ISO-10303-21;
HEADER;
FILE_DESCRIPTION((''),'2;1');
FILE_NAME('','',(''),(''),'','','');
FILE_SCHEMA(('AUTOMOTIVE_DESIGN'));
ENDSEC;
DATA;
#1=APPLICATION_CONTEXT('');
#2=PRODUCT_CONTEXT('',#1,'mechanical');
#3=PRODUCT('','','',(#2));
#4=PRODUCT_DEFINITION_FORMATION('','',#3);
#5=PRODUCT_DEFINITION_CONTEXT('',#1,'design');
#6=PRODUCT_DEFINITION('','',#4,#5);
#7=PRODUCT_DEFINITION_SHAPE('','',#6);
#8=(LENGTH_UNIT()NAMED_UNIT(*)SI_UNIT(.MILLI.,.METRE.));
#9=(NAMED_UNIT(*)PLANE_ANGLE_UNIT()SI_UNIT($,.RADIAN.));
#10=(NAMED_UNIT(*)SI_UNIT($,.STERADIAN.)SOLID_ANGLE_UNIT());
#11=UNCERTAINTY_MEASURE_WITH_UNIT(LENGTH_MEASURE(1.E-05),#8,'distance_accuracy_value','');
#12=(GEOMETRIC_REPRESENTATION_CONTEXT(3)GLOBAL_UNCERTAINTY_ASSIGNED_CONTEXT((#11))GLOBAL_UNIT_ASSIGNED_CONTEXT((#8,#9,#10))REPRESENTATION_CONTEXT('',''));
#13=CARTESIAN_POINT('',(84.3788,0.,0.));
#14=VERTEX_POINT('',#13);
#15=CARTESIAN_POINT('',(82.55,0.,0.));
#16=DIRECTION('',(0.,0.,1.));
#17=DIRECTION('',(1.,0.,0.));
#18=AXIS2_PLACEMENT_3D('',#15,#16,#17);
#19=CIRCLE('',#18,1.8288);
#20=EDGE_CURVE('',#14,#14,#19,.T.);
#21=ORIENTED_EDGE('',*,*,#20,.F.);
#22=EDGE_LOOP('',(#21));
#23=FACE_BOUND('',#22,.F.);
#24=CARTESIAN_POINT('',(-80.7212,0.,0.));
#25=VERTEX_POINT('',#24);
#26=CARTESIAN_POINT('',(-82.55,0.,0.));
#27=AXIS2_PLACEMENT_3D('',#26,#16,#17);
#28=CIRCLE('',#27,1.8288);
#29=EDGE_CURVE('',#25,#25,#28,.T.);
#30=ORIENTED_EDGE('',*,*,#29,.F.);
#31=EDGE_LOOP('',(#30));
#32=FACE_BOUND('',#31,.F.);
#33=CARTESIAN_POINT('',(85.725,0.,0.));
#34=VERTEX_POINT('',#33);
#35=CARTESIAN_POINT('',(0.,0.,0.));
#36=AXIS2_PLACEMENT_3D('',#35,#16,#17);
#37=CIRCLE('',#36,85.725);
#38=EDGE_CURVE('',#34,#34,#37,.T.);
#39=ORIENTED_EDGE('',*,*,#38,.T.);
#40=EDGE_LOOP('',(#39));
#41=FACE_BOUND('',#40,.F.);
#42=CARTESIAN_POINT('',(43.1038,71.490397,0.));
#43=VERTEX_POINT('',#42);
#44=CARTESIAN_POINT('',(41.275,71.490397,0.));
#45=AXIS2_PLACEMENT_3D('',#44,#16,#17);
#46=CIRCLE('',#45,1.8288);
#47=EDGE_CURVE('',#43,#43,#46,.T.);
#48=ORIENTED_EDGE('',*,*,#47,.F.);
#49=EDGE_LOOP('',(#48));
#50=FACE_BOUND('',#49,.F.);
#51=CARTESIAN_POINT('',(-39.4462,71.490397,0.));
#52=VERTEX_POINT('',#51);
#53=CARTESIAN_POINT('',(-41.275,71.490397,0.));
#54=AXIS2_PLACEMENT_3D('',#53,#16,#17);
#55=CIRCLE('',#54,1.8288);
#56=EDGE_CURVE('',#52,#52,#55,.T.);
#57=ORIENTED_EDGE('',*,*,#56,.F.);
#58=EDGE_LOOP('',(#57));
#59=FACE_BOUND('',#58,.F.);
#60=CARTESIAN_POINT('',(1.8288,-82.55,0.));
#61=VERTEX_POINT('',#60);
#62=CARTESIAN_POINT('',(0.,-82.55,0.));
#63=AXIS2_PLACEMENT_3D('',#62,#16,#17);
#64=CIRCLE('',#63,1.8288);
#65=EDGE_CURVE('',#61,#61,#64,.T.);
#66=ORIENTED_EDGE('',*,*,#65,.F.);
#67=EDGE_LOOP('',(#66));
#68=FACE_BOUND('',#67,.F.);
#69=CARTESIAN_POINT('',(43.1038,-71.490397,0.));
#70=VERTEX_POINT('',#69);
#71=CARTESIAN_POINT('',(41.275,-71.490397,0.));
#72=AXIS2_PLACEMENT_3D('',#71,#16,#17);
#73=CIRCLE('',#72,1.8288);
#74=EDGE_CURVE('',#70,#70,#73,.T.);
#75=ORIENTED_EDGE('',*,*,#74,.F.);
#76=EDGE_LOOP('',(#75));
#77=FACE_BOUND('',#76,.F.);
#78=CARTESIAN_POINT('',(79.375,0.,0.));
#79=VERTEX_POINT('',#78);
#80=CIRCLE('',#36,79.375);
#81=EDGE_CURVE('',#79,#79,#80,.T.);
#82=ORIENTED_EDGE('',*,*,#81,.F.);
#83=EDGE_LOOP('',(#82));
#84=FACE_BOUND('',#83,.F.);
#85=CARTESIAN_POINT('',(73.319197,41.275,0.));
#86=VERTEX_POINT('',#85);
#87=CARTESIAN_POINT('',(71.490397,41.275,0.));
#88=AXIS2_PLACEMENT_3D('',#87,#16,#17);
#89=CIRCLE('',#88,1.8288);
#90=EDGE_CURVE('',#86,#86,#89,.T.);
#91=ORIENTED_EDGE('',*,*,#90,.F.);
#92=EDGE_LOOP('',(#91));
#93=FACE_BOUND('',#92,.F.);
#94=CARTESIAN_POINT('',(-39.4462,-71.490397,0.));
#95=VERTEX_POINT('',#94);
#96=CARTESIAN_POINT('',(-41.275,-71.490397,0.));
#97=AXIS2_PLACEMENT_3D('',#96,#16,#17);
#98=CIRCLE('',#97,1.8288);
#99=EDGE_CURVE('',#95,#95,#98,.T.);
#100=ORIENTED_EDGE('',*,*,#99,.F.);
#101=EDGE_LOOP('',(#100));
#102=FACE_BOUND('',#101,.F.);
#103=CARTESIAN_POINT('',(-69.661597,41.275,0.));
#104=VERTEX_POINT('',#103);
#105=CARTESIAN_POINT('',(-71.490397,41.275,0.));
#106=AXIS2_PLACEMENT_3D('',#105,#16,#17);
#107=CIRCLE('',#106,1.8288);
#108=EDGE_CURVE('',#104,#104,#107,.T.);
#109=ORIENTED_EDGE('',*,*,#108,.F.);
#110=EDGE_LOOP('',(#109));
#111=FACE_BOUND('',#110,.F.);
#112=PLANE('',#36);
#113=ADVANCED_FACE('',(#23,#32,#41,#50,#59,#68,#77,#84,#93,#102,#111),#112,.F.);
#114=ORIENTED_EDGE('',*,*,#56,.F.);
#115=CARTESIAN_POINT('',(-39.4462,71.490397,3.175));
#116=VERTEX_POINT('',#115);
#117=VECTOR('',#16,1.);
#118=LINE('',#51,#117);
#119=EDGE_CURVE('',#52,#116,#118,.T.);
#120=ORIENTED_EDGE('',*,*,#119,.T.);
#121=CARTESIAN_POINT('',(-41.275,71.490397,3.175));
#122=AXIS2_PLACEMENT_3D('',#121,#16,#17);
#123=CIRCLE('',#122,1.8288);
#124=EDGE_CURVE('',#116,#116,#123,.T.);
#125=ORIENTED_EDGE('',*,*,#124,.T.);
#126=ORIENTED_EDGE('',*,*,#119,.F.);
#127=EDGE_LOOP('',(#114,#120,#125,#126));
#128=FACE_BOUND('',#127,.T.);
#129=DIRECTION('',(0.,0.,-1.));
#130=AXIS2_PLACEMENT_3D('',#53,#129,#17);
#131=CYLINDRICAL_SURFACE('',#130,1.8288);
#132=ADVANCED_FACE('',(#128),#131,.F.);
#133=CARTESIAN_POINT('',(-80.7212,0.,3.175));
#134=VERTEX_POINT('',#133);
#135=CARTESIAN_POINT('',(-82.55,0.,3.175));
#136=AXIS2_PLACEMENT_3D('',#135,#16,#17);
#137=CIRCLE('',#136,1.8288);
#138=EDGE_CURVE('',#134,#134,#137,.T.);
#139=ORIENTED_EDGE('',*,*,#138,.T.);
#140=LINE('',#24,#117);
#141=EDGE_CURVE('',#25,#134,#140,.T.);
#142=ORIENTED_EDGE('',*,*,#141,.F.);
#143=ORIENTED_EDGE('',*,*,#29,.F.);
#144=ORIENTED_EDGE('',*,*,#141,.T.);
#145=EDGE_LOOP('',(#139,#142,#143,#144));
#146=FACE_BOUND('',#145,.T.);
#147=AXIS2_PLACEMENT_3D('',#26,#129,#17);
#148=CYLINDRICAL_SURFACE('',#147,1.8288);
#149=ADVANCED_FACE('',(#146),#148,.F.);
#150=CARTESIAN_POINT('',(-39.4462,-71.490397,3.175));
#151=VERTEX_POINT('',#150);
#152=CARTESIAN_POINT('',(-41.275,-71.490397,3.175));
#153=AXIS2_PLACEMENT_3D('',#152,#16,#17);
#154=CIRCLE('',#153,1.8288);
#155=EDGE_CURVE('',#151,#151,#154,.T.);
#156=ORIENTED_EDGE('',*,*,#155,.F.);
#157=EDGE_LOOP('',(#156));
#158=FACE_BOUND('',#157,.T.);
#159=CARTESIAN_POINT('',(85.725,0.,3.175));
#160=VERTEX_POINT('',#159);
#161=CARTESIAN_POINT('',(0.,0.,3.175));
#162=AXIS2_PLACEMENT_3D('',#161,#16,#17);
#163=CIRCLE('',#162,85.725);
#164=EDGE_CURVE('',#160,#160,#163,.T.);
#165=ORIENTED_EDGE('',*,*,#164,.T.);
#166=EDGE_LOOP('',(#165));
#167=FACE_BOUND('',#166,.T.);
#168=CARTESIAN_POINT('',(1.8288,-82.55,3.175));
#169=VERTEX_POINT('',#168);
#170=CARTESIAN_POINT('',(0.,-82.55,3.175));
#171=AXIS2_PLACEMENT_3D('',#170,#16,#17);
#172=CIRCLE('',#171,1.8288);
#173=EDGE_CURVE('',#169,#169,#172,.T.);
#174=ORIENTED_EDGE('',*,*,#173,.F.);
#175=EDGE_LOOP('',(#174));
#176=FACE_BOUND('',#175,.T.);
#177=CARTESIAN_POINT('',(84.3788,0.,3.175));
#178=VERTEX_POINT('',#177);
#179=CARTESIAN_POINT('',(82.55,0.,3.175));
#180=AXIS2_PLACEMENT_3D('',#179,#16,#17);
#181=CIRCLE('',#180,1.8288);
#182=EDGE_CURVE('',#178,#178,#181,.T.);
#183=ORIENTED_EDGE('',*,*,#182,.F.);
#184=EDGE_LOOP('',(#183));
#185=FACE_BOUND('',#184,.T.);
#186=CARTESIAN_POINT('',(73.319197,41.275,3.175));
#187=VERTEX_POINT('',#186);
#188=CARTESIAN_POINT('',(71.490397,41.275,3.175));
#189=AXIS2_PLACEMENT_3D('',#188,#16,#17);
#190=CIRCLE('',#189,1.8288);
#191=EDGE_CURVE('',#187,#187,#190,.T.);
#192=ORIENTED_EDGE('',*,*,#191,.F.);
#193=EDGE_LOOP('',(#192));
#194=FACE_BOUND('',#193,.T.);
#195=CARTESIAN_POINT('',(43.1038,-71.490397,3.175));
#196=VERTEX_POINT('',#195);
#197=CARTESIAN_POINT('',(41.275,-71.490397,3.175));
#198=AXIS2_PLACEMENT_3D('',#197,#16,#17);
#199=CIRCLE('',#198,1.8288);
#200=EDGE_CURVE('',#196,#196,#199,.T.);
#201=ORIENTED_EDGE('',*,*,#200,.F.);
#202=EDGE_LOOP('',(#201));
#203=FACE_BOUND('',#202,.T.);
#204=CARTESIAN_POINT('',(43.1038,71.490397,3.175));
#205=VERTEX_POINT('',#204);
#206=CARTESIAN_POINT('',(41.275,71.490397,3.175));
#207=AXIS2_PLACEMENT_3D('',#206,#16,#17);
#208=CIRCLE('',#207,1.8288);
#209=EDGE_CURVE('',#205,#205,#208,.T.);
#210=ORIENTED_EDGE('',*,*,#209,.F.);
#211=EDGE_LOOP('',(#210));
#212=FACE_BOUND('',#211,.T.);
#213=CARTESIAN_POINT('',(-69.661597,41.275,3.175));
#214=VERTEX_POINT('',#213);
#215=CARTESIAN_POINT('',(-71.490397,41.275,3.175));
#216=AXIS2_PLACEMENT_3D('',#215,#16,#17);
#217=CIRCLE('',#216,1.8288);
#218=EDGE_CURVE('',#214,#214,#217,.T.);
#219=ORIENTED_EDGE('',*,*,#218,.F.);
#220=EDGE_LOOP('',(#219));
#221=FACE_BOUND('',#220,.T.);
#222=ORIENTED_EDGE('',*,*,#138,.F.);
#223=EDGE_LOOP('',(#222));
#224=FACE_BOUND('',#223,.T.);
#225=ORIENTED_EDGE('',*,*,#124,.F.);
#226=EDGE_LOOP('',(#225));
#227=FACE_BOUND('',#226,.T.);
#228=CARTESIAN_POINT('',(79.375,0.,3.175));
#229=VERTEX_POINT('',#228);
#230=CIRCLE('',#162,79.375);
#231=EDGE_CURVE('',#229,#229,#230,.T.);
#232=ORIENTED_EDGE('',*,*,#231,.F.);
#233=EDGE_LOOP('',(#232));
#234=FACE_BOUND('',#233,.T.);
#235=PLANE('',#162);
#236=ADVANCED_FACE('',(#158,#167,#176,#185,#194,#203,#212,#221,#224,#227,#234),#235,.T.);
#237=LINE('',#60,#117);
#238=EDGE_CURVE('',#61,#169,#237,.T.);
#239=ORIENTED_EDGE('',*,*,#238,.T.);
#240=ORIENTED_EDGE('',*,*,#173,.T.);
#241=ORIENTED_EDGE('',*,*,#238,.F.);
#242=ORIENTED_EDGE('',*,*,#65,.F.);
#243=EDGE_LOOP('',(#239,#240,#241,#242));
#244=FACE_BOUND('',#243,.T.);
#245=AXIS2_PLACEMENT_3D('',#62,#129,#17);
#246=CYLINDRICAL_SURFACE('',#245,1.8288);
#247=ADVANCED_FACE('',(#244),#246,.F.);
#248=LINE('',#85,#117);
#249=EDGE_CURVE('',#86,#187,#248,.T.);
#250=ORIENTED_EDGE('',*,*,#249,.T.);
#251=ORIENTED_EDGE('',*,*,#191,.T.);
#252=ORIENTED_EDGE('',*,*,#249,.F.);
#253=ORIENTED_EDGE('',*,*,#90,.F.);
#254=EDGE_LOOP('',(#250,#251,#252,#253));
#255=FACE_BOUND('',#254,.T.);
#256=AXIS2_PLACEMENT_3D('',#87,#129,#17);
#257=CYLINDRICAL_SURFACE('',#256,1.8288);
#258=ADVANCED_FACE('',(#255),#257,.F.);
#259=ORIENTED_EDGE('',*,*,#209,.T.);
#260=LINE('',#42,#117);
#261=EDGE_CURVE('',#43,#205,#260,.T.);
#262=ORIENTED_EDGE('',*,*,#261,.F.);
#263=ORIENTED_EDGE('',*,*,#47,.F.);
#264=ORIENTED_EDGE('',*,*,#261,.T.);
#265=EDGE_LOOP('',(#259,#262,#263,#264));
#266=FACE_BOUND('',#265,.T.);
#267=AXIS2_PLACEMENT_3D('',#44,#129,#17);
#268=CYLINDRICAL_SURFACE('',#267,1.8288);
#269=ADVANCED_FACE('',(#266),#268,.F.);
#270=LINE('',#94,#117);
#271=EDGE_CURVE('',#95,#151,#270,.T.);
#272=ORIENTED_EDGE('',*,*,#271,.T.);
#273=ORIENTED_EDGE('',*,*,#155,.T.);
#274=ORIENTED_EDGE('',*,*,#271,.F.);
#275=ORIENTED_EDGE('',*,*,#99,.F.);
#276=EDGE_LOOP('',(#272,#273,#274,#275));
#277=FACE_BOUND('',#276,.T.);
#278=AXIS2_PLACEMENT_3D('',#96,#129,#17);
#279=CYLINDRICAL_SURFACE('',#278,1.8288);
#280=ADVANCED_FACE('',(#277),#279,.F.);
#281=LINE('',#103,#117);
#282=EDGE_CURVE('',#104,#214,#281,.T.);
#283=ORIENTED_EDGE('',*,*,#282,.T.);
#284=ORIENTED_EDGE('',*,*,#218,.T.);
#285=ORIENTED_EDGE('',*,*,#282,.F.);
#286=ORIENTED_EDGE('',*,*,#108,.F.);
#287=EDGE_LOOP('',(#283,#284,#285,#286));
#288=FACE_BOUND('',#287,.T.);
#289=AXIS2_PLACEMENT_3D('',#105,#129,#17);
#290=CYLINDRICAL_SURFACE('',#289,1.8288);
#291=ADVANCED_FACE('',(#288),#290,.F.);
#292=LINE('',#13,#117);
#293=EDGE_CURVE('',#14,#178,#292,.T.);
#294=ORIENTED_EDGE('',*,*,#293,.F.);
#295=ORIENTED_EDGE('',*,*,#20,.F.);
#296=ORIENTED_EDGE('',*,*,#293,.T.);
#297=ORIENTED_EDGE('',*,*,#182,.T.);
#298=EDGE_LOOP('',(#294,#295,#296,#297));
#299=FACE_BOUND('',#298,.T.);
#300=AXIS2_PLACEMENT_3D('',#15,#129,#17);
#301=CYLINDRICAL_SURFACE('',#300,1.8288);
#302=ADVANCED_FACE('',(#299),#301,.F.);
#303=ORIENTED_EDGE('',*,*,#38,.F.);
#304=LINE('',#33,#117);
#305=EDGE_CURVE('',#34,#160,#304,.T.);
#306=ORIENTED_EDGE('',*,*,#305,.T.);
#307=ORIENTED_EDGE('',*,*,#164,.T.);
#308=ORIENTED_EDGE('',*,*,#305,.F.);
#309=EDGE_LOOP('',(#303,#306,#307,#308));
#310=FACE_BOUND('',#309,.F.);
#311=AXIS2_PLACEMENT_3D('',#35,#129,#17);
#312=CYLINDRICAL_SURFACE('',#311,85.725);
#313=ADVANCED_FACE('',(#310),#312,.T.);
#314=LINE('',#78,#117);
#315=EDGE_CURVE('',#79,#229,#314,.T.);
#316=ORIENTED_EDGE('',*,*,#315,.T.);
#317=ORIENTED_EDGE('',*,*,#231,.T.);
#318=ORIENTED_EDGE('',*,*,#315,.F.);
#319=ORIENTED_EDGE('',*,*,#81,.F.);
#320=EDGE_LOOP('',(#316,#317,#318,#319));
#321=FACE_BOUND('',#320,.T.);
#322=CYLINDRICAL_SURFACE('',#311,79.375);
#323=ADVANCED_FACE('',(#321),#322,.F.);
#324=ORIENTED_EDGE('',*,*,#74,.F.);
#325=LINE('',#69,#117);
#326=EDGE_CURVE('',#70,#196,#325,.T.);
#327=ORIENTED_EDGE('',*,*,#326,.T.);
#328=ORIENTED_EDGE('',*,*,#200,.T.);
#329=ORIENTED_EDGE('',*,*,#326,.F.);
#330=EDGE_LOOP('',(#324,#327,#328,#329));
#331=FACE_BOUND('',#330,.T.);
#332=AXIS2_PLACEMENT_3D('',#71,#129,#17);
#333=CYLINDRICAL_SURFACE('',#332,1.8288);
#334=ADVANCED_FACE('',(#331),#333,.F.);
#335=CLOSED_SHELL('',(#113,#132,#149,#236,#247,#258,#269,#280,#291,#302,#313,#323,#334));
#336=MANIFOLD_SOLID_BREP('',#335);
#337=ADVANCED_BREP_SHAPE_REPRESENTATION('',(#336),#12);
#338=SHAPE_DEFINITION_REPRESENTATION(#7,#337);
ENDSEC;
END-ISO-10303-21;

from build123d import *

# Parameters (mm, degrees)
F0_R     = 85.725
F0_R_2   = 1.8288
F0_R_3   = 79.375
F1_DEPTH = 3.175


with BuildPart() as f1:
    # F0 (on Top) → F1 (new body)
    with BuildSketch(Plane.XY):
        Circle(F0_R)
        with Locations((-41.275, -71.490397)):
            Circle(F0_R_2, mode=Mode.SUBTRACT)
        with Locations((0, -82.55)):
            Circle(F0_R_2, mode=Mode.SUBTRACT)
        with Locations((41.275, -71.490397)):
            Circle(F0_R_2, mode=Mode.SUBTRACT)
        with Locations((-82.55, 0)):
            Circle(F0_R_2, mode=Mode.SUBTRACT)
        with Locations((-71.490397, 41.275)):
            Circle(F0_R_2, mode=Mode.SUBTRACT)
        with Locations((-41.275, 71.490397)):
            Circle(F0_R_2, mode=Mode.SUBTRACT)
        Circle(F0_R_3, mode=Mode.SUBTRACT)
        with Locations((82.55, 0)):
            Circle(F0_R_2, mode=Mode.SUBTRACT)
        with Locations((71.490397, 41.275)):
            Circle(F0_R_2, mode=Mode.SUBTRACT)
        with Locations((41.275, 71.490397)):
            Circle(F0_R_2, mode=Mode.SUBTRACT)
    extrude(amount=F1_DEPTH)


solid = f1.part
